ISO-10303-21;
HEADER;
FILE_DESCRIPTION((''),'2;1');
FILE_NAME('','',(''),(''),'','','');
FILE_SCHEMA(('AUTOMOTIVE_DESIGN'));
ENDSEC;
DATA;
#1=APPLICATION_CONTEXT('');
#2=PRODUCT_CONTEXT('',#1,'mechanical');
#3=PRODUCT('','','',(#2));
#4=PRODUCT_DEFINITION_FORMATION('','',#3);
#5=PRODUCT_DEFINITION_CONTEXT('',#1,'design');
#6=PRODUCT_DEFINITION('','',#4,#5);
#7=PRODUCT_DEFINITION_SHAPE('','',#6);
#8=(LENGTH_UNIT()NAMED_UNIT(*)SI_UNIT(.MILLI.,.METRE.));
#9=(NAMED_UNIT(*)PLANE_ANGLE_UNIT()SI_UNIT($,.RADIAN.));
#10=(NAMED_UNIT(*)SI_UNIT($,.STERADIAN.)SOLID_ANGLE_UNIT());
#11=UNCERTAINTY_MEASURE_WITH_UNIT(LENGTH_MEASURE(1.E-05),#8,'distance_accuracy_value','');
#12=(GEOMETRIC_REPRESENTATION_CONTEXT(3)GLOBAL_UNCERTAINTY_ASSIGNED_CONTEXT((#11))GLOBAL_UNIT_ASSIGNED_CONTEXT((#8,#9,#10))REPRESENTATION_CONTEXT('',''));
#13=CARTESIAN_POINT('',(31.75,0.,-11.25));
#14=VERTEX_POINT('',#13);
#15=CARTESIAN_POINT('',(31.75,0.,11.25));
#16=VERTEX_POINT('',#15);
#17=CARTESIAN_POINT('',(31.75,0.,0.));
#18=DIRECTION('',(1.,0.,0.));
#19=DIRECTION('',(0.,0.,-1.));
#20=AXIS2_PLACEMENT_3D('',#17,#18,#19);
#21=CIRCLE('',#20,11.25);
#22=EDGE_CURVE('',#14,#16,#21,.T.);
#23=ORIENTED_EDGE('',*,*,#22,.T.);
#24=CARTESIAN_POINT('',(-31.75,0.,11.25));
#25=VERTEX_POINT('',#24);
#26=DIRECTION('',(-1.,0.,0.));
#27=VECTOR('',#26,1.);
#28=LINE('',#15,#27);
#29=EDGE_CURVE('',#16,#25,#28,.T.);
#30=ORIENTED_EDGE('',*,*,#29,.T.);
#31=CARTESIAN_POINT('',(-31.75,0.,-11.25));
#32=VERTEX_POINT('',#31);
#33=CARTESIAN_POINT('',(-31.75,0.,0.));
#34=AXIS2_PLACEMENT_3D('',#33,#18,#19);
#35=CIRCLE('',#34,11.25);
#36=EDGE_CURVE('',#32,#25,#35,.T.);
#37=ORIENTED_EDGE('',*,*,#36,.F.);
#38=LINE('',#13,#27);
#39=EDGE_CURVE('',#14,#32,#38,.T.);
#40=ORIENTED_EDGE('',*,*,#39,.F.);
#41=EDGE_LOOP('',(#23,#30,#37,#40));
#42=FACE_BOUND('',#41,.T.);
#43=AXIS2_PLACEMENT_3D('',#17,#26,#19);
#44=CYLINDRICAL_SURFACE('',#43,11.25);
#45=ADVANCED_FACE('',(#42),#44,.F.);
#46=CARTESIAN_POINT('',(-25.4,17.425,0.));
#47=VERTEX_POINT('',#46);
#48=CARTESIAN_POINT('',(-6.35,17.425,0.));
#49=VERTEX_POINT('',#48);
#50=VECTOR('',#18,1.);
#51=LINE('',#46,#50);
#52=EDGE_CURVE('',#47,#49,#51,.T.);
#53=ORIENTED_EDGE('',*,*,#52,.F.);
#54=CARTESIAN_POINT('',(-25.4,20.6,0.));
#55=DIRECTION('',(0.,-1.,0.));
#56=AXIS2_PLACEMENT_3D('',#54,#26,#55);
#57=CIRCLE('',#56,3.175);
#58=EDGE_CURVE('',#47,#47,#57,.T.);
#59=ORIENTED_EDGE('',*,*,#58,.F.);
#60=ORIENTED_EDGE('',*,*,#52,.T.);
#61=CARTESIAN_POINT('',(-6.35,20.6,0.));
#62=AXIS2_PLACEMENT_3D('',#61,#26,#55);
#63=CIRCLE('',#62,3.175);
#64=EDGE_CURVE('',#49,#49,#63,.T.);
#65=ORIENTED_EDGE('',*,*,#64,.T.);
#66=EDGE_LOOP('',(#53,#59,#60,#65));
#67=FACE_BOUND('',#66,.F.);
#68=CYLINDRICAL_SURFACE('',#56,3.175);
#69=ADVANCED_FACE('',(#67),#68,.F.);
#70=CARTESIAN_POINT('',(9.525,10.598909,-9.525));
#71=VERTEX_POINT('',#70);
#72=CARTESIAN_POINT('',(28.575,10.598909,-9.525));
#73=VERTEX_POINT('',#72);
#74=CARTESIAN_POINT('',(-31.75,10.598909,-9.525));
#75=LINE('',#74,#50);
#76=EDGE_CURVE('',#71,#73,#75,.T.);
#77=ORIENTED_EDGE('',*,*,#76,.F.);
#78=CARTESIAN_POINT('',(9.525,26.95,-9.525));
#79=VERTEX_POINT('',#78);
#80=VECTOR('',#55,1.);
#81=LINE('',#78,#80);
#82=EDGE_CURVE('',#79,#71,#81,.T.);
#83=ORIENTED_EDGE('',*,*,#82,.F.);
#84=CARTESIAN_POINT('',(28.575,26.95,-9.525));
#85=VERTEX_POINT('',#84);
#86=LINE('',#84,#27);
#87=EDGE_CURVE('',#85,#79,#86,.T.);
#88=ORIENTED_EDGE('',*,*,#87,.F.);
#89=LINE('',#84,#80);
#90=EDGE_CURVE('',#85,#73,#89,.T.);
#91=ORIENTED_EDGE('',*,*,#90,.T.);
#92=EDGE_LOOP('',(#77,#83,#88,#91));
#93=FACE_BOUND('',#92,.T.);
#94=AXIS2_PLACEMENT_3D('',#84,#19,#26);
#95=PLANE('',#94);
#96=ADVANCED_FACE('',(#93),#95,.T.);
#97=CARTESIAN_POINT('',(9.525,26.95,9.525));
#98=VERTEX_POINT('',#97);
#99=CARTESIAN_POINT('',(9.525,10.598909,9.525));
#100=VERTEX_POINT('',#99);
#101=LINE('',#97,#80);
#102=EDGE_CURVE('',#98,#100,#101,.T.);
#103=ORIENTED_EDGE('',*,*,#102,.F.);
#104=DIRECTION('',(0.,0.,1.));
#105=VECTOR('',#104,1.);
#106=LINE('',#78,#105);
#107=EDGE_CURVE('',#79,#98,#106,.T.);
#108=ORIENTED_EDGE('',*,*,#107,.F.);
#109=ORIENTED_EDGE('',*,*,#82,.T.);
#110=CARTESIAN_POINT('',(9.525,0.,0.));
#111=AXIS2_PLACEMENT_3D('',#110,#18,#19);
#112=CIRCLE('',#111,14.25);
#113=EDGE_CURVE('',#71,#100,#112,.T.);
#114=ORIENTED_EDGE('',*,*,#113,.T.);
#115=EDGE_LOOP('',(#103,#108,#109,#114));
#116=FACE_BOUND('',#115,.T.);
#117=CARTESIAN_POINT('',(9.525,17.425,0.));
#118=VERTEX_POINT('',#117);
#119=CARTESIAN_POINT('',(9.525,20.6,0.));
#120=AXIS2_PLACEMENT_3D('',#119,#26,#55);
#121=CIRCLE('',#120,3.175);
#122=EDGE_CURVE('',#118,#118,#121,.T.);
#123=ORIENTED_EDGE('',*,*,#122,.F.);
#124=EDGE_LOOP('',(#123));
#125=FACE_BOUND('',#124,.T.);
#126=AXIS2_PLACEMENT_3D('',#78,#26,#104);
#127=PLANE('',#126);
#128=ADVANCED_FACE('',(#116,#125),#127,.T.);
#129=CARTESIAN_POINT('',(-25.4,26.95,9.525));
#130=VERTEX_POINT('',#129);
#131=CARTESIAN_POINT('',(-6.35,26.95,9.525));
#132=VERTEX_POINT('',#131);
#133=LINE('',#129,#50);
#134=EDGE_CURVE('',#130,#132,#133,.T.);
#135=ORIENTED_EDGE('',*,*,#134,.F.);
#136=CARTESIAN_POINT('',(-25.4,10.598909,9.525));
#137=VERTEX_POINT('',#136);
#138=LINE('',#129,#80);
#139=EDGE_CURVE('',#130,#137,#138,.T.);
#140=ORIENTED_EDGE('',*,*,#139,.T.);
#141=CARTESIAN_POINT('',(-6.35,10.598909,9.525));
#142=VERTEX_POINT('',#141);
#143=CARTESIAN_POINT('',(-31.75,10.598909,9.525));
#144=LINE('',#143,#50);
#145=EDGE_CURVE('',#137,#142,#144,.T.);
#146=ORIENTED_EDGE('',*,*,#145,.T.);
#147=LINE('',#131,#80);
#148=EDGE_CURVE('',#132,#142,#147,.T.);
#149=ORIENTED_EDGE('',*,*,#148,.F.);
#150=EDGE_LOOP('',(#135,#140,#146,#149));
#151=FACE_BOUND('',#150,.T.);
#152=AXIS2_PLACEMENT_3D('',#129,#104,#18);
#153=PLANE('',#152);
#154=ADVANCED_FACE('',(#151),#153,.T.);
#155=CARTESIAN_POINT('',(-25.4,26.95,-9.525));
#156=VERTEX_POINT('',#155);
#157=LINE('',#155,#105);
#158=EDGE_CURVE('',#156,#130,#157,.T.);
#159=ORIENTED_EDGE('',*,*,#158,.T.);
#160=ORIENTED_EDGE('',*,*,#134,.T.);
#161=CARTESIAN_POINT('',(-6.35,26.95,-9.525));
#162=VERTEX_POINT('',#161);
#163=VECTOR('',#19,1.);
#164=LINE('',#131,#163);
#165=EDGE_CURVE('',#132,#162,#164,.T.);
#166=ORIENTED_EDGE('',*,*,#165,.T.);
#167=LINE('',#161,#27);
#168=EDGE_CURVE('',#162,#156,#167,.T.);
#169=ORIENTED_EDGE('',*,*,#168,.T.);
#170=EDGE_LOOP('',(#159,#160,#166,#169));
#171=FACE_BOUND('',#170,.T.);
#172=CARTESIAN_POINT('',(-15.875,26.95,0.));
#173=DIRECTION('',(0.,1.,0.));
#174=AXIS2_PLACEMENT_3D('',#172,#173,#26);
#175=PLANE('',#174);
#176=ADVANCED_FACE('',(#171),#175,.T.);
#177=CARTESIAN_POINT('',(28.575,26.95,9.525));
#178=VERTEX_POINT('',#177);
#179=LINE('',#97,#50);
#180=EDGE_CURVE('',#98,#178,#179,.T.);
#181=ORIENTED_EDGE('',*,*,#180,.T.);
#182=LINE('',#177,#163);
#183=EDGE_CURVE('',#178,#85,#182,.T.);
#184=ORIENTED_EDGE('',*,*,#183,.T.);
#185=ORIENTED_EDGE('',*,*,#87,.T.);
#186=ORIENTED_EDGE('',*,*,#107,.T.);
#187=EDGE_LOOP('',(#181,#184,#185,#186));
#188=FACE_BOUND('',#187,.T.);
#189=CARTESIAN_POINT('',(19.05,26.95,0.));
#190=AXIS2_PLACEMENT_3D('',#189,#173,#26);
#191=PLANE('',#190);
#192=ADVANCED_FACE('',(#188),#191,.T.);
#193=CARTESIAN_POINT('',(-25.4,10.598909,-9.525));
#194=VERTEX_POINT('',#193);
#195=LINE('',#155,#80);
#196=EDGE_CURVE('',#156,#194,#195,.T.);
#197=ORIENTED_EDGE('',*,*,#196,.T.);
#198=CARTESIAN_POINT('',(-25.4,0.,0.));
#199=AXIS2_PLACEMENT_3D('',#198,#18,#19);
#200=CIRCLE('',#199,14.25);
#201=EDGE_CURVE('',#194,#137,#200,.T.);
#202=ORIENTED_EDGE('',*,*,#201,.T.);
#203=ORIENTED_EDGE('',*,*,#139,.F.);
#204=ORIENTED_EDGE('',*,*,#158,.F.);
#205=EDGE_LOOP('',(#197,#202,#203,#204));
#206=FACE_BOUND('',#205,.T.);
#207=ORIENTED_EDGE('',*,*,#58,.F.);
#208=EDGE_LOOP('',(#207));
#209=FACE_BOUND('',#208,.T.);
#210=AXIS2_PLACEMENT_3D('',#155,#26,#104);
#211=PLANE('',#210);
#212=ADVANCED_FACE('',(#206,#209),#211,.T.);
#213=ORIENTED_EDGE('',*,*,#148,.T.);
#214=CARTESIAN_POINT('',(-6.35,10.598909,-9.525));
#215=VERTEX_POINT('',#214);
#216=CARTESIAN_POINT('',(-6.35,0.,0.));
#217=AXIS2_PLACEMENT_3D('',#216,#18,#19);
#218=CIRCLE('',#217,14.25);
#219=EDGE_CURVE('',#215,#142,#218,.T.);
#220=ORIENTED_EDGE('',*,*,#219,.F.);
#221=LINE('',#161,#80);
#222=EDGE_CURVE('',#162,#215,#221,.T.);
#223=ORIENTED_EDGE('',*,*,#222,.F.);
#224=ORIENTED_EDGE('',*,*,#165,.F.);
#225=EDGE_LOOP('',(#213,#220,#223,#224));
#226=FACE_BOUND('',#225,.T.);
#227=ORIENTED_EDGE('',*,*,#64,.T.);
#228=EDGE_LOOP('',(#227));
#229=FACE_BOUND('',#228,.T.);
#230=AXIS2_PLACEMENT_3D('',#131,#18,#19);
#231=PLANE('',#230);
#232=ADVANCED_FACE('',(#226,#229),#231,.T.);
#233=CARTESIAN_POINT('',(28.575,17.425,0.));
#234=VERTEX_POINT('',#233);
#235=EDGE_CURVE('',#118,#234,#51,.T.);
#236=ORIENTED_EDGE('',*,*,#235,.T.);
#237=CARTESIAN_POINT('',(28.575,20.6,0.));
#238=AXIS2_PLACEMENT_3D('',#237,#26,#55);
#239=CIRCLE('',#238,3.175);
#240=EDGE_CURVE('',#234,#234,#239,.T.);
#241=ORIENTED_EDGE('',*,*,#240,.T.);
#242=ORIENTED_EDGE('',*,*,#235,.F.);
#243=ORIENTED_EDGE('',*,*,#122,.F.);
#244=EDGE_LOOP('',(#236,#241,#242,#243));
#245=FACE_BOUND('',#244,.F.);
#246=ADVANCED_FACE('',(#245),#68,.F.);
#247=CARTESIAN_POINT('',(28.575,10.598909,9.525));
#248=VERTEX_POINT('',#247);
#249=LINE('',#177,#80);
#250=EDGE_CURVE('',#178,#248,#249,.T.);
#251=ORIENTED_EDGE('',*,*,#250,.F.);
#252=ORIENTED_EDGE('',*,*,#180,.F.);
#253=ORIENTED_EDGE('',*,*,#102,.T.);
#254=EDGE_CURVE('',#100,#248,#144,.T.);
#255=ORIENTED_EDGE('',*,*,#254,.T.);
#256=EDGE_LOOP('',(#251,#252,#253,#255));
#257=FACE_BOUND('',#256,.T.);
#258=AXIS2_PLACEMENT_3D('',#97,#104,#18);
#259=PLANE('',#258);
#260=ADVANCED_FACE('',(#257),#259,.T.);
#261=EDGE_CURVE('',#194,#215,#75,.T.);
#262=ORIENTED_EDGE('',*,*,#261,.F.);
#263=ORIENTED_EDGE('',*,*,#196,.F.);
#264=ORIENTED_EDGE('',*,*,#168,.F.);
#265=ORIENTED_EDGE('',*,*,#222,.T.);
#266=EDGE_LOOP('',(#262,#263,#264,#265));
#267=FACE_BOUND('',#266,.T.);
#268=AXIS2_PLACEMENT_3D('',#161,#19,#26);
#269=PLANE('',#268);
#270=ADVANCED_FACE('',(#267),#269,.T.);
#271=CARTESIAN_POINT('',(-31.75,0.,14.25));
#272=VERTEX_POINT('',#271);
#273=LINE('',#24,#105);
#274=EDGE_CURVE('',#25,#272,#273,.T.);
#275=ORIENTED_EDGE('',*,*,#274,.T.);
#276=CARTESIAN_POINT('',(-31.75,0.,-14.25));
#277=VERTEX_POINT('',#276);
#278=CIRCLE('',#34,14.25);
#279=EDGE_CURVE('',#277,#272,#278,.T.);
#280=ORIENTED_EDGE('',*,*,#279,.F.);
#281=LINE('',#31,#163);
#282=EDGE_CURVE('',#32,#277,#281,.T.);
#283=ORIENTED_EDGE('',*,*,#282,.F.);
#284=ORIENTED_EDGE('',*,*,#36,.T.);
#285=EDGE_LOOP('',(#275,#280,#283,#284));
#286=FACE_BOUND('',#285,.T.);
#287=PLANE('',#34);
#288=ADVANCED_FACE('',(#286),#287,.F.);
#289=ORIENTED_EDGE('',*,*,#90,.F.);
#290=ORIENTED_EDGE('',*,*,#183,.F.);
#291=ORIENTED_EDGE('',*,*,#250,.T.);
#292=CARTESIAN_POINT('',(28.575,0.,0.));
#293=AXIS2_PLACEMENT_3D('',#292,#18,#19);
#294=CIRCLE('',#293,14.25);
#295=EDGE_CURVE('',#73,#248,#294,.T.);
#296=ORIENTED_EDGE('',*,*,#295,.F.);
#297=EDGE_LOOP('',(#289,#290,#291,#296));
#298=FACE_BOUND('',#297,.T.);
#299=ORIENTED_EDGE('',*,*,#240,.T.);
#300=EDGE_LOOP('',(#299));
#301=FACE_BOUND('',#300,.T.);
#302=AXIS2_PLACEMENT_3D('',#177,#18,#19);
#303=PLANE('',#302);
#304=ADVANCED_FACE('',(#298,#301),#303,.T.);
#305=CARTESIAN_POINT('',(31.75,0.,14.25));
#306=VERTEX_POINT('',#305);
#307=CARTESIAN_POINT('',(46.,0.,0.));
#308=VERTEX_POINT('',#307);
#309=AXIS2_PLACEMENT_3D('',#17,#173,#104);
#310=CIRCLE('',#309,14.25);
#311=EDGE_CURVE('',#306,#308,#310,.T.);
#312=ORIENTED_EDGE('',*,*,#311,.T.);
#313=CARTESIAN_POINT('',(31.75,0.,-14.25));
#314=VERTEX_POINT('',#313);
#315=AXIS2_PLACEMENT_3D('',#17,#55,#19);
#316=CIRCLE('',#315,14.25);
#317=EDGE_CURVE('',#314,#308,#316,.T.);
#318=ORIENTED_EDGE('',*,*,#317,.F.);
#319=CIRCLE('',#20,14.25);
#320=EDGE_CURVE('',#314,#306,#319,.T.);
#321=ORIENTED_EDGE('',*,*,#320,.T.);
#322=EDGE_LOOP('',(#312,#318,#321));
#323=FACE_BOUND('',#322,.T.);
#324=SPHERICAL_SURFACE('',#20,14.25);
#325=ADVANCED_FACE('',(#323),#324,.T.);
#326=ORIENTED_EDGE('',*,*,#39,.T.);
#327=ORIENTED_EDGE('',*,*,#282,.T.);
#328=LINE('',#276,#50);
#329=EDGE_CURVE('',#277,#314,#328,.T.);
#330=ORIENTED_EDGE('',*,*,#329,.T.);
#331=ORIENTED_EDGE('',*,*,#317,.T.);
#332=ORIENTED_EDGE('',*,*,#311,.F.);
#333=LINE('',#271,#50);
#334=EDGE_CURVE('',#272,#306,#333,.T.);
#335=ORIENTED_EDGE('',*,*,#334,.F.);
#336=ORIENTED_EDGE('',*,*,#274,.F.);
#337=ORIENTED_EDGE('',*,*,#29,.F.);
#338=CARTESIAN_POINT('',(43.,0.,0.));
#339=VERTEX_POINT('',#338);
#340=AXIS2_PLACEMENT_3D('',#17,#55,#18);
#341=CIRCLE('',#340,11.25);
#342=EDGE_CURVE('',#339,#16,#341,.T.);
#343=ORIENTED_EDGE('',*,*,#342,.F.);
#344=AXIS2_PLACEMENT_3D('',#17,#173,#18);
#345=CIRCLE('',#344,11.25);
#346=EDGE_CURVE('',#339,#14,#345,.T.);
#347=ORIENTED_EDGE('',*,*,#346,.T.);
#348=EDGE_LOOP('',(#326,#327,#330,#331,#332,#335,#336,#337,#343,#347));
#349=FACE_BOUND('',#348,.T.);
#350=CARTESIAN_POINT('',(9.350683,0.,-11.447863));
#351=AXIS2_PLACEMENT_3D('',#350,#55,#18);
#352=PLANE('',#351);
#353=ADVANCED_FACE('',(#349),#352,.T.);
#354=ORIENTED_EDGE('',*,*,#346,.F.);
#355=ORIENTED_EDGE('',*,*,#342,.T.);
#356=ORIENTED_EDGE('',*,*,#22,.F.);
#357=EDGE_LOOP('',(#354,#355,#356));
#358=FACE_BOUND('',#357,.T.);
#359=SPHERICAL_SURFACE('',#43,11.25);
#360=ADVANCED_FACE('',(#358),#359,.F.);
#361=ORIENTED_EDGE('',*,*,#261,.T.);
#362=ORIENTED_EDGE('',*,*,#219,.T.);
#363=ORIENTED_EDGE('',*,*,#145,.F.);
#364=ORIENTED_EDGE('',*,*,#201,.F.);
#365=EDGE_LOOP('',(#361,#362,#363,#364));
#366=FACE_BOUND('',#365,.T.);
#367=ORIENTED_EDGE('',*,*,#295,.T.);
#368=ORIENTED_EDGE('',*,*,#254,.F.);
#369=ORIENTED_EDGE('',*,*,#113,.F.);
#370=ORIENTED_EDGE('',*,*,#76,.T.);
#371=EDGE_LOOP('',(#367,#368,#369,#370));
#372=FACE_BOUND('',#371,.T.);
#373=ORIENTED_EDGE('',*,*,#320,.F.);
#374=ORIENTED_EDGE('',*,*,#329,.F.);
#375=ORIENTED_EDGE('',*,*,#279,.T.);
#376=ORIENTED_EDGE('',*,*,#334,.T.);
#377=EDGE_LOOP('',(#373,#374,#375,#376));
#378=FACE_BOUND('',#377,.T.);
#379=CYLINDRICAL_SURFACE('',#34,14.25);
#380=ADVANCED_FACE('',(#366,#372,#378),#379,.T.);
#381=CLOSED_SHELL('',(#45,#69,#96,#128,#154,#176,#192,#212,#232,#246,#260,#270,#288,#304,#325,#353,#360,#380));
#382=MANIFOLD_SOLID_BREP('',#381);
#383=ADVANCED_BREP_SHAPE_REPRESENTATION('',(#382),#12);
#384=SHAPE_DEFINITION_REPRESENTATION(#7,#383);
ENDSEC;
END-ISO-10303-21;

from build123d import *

# Parameters (mm, degrees)
F1_ANGLE = 180
F6_R     = 3.175
F7_DEPTH = 71.401


with BuildPart() as f1:
    # F0 (on Front) → F1 (revolve)
    with BuildSketch(Plane.XZ):
        with BuildLine():
            ThreePointArc((43, 0), (39.7049512883, -7.9549512883), (31.75, -11.25))
            Line((31.75, -11.25), (0, -11.25))
            Line((0, -11.25), (-31.75, -11.25))
            Line((-31.75, -11.25), (-31.75, -14.25))
            Line((-31.75, -14.25), (31.75, -14.25))
            ThreePointArc((31.75, -14.25), (41.8262716319, -10.0762716319), (46, 0))
            Line((46, 0), (43, 0))
        make_face()
    revolve(axis=Axis((28.0016548932, 0, 0), (1, 0, 0)), revolution_arc=F1_ANGLE)

    # F4 (on face) → F5 (join, up to the next surface of F1)
    with BuildSketch(Plane(origin=(0, 26.95, 0), x_dir=(-1, 0, 0), z_dir=(0, 1, 0))):
        Polygon((25.4, 9.525), (6.35, 9.525), (6.35, 0), (6.35, -9.525), (25.4, -9.525), (25.4, 0), align=None)
        Polygon((-9.525, 0), (-9.525, 9.525), (-28.575, 9.525), (-28.575, 0), (-28.575, -9.525), (-9.525, -9.525), align=None)
    extrude(until=Until.NEXT, dir=(0, -1, 0))

    # F6 (on face) → F7 (cut, through all)
    with BuildSketch(Plane(origin=(-25.4, 0, 0), x_dir=(0, -1, 0), z_dir=(-1, 0, 0))):
        with Locations((-20.6, 0)):
            Circle(F6_R)
    extrude(amount=-F7_DEPTH, mode=Mode.SUBTRACT)


solid = f1.part
